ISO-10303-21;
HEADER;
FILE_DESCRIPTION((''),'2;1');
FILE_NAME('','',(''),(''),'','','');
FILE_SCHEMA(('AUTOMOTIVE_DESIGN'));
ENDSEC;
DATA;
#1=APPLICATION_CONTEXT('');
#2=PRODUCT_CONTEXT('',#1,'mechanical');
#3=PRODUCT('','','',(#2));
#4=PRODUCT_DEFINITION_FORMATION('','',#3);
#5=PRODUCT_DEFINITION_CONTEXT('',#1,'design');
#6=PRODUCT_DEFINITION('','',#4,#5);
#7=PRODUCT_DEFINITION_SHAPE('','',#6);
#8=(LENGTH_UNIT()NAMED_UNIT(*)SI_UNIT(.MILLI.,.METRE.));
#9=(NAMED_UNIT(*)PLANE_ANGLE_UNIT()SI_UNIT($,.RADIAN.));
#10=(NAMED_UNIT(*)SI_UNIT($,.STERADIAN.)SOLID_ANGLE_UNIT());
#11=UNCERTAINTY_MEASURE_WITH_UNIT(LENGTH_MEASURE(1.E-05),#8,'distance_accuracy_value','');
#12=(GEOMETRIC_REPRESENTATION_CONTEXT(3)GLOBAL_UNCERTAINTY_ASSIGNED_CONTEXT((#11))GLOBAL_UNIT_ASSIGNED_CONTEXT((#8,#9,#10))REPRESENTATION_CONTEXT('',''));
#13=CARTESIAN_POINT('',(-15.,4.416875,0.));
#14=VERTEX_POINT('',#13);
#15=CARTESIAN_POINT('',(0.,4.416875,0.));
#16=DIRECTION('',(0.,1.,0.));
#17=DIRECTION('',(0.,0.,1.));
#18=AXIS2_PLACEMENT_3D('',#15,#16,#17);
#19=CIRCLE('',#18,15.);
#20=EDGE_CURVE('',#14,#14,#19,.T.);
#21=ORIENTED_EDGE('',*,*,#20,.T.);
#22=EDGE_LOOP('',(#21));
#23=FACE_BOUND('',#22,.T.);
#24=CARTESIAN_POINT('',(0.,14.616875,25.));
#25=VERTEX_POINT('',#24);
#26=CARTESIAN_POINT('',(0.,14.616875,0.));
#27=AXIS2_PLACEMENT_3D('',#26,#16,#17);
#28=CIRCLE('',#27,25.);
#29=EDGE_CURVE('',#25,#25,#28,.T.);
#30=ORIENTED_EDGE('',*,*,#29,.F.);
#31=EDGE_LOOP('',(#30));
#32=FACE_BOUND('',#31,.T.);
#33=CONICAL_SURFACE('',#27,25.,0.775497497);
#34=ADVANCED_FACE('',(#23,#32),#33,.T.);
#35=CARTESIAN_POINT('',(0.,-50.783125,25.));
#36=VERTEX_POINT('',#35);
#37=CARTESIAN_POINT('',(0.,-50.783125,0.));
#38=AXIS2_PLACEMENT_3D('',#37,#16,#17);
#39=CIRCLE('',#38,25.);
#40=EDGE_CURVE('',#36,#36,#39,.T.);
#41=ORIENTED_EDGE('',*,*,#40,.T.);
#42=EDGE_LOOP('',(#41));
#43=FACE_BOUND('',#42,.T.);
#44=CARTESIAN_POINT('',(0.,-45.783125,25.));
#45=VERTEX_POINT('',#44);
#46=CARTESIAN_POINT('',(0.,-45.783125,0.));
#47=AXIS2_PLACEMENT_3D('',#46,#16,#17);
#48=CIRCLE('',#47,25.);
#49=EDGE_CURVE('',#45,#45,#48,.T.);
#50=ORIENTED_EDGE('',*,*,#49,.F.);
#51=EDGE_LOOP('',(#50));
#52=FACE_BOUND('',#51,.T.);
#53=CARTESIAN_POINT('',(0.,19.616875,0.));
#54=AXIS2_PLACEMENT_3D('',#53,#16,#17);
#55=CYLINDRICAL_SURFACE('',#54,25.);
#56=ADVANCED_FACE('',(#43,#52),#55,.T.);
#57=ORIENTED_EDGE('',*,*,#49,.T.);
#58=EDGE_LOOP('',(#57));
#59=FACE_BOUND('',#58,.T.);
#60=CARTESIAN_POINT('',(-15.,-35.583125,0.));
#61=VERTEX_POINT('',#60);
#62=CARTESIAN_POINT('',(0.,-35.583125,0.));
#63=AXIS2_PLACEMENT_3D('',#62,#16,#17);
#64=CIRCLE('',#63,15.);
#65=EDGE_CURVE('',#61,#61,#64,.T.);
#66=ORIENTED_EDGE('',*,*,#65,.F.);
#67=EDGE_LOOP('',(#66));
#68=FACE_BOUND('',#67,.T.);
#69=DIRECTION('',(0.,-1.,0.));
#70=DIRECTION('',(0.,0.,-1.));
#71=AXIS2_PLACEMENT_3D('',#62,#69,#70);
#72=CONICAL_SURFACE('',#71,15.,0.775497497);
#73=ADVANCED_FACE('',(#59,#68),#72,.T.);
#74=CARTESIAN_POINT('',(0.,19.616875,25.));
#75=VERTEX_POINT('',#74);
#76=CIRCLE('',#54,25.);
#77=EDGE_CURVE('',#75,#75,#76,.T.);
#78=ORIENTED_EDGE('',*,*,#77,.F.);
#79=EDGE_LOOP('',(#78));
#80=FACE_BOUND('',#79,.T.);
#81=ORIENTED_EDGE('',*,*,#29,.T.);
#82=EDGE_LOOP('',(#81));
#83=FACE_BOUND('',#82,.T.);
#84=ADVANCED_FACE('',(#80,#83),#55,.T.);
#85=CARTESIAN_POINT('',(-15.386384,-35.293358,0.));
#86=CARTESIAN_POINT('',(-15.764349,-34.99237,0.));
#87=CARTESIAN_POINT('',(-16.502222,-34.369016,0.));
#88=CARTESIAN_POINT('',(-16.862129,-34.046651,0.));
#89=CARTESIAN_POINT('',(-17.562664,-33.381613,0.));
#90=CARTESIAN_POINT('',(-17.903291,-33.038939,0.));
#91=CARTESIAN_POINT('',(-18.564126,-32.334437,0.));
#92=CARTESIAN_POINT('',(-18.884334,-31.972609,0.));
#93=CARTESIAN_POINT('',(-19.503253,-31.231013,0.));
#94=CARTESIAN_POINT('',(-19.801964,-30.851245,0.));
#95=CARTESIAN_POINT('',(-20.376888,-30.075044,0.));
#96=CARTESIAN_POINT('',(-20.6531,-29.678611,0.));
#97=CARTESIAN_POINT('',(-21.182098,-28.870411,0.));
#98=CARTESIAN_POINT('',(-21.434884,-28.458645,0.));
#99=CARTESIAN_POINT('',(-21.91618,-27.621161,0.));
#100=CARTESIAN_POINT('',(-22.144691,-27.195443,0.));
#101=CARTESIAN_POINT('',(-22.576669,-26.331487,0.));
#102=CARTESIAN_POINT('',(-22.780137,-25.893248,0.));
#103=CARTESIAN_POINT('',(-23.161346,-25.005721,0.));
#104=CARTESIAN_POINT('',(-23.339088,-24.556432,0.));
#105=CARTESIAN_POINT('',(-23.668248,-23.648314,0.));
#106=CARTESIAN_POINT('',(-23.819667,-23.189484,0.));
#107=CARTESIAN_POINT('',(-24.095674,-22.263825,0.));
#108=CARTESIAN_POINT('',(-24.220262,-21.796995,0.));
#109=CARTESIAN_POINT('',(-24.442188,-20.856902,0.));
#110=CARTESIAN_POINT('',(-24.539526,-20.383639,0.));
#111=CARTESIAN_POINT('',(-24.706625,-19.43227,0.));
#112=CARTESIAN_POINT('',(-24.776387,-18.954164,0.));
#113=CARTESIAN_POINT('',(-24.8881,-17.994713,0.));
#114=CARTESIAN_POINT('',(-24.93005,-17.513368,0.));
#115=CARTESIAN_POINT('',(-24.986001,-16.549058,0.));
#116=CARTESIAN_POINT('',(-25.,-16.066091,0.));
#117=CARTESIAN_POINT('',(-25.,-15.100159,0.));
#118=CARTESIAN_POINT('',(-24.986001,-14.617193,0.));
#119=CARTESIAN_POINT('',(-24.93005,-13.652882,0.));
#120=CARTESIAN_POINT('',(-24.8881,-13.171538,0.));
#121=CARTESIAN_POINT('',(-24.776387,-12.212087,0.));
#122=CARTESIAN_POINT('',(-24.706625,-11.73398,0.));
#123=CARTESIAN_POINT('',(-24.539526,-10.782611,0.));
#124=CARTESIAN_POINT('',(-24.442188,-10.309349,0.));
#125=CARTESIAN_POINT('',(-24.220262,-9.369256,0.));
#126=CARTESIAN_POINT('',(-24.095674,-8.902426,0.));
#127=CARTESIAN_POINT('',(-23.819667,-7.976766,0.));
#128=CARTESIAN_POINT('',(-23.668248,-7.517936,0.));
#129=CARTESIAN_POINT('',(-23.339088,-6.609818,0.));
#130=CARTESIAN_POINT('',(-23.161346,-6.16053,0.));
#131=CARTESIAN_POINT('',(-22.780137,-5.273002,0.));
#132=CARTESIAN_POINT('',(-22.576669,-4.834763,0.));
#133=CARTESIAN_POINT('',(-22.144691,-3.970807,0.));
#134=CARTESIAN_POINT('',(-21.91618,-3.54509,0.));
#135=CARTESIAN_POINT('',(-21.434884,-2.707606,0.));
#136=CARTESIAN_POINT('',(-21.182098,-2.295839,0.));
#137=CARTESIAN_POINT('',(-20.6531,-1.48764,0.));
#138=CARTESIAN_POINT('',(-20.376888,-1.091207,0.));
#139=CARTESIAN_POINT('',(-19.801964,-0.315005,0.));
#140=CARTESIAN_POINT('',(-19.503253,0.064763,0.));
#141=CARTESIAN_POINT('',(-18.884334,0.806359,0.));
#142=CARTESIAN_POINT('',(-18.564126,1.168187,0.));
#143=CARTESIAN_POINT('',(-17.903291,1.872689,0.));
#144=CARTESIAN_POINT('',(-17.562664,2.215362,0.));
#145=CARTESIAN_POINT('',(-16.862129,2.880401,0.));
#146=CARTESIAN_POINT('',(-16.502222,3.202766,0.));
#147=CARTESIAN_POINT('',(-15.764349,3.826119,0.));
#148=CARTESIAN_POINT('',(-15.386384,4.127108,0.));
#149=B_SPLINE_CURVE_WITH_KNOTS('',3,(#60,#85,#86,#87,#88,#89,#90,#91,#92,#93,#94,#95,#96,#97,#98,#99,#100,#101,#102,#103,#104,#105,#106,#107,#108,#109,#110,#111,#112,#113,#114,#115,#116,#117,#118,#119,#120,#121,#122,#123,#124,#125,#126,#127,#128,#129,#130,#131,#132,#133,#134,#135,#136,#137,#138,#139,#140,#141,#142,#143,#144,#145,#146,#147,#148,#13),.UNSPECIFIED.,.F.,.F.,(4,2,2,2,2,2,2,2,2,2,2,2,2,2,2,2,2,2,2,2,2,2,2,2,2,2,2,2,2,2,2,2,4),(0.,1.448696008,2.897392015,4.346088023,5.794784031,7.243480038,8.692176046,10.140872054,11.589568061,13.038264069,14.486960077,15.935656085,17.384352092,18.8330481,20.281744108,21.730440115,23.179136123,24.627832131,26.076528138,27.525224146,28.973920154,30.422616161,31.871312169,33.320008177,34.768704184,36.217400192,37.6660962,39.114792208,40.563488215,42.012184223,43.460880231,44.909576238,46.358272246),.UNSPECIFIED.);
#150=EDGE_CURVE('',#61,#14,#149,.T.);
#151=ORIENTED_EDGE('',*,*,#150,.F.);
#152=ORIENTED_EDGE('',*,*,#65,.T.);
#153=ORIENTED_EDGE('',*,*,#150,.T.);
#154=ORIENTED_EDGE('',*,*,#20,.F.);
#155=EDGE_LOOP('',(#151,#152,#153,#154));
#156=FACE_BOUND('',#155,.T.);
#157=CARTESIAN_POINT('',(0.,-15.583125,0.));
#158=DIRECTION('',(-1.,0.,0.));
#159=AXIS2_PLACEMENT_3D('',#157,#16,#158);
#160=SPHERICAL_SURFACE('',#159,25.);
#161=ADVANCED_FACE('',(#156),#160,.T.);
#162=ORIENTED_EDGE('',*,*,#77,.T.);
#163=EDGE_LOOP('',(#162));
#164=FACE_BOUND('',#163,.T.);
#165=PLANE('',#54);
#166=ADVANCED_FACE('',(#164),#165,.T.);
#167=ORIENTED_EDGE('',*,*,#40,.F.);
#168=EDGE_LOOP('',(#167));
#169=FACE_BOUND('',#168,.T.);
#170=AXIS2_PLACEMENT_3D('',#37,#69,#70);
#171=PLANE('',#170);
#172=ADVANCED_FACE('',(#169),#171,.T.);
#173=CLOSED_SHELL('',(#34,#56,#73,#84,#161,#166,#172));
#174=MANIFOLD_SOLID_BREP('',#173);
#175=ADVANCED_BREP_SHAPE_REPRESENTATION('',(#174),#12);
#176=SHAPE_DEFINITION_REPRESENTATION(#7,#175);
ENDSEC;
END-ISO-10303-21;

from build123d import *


with BuildPart() as part:
    # 草图1 → 旋转1 (revolve)
    with BuildSketch(Plane.XY, mode=Mode.PRIVATE) as revolve_1_sk:
        with BuildLine():
            Line((0, 19.616874865), (-25, 19.616874865))
            Line((-25, 19.616874865), (-25, 14.616874865))
            Line((-25, 14.616874865), (-15, 4.416874865))
            ThreePointArc((-15, 4.416874865), (-25, -15.583125135), (-15, -35.583125135))
            Line((-15, -35.583125135), (-25, -45.783125135))
            Line((-25, -45.783125135), (-25, -50.783125135))
            Line((-25, -50.783125135), (0, -50.783125135))
            Line((0, -50.783125135), (0, 19.616874865))
        make_face()
    revolve(revolve_1_sk.sketch.rotate(Axis((0, 19.616874865, 0), (0, -1, 0)), 270), axis=Axis((0, 19.616874865, 0), (0, -1, 0)))


solid = part.part
